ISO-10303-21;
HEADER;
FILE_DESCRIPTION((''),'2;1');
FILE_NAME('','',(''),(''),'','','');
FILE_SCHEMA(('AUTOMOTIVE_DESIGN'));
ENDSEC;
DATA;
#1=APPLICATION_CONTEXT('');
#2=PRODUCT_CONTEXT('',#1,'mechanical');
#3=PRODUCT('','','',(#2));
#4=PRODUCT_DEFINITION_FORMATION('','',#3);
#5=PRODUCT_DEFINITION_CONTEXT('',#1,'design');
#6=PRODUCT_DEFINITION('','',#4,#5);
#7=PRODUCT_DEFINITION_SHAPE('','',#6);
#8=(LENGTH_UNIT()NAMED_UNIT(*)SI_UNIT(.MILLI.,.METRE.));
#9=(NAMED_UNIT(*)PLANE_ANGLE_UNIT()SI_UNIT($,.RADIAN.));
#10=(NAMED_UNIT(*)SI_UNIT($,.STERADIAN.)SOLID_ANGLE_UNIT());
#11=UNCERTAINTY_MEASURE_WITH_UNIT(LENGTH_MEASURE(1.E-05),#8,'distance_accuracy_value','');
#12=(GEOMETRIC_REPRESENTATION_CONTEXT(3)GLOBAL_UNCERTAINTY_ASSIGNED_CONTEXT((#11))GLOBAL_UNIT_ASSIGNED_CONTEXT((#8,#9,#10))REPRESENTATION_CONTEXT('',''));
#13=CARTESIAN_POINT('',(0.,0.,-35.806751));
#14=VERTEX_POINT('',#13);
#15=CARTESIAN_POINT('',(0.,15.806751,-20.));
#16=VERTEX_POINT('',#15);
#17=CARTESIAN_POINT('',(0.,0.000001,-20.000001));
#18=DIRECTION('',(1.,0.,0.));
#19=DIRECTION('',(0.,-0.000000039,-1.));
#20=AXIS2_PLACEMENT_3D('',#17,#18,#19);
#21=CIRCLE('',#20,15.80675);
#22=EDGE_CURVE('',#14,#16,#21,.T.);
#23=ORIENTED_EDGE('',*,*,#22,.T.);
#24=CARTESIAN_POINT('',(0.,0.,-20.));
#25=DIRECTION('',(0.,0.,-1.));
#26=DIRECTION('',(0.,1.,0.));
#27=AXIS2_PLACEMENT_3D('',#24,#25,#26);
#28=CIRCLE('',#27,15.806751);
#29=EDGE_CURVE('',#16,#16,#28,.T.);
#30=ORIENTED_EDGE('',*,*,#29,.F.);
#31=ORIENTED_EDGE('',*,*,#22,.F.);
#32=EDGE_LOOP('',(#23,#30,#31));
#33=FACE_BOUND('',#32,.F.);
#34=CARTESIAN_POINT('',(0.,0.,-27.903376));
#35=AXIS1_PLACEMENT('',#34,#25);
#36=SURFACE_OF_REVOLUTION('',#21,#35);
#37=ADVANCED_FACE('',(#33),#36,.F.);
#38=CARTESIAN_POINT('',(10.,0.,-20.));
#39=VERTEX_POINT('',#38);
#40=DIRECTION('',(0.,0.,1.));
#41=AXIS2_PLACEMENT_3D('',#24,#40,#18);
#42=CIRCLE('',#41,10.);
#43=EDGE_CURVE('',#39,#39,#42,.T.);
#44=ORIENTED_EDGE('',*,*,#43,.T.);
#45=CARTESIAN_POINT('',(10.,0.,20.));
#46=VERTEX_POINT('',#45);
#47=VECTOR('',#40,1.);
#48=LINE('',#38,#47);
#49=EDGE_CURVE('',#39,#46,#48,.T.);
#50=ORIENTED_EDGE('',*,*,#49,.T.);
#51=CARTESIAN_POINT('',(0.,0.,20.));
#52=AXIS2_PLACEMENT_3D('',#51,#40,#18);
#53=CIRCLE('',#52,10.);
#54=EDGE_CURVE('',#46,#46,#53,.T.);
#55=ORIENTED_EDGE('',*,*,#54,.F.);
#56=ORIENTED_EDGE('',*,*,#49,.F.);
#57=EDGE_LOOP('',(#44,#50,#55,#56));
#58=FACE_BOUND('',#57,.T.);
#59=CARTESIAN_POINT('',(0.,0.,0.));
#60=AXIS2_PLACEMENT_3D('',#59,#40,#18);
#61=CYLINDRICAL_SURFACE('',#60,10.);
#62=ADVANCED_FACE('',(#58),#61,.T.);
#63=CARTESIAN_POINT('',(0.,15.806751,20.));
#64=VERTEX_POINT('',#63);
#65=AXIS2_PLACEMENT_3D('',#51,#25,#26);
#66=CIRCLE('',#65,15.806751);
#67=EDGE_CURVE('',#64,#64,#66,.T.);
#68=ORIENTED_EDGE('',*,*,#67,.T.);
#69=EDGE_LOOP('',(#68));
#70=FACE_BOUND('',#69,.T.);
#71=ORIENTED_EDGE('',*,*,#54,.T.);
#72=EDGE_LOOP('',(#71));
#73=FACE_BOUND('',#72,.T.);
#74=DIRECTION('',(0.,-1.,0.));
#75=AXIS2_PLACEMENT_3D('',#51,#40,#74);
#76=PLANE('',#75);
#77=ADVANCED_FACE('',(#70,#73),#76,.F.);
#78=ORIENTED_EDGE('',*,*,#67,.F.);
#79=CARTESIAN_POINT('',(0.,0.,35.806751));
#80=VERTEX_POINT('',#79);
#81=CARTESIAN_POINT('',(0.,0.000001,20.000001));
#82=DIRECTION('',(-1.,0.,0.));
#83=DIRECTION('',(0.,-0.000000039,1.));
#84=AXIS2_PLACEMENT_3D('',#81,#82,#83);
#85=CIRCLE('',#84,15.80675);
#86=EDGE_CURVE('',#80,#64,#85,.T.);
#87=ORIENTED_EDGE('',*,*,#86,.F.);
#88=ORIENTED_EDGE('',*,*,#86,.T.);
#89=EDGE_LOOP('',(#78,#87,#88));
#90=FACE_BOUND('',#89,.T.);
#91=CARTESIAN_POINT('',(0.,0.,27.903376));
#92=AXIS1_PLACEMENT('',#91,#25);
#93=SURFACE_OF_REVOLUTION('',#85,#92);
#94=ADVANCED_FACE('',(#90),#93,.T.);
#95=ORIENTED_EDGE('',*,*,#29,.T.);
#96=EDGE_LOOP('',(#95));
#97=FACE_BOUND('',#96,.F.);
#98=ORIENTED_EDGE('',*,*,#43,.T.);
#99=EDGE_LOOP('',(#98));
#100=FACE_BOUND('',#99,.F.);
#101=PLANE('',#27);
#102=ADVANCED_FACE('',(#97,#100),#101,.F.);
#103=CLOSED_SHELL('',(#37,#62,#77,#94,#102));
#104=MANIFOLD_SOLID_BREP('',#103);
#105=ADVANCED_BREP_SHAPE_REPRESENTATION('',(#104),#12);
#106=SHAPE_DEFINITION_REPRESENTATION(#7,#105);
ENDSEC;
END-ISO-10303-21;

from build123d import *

# Parameters (mm, degrees)
F0_R     = 10
F1_DEPTH = 20


with BuildPart() as f1:
    # F0 (on Top) → F1 (new body, symmetric)
    with BuildSketch(Plane.XY):
        Circle(F0_R)
    extrude(amount=F1_DEPTH, both=True)

    # F2 (on Right) → F3 (revolve)
    with BuildSketch(Plane.YZ):
        with BuildLine():
            Line((15.806751, -20), (0, -20))
            Line((0, -20), (0, -35.806751))
            ThreePointArc((0, -35.806751), (11.177061, -31.177061), (15.806751, -20))
        make_face()
    revolve(axis=Axis((0, 0, -27.903376), (0, 0, -1)))

    # F4: F1 across plane


with BuildPart() as f1_1:
    add(f1.part)
    add(f1.part.mirror(Plane.XY))


solid = f1_1.part
